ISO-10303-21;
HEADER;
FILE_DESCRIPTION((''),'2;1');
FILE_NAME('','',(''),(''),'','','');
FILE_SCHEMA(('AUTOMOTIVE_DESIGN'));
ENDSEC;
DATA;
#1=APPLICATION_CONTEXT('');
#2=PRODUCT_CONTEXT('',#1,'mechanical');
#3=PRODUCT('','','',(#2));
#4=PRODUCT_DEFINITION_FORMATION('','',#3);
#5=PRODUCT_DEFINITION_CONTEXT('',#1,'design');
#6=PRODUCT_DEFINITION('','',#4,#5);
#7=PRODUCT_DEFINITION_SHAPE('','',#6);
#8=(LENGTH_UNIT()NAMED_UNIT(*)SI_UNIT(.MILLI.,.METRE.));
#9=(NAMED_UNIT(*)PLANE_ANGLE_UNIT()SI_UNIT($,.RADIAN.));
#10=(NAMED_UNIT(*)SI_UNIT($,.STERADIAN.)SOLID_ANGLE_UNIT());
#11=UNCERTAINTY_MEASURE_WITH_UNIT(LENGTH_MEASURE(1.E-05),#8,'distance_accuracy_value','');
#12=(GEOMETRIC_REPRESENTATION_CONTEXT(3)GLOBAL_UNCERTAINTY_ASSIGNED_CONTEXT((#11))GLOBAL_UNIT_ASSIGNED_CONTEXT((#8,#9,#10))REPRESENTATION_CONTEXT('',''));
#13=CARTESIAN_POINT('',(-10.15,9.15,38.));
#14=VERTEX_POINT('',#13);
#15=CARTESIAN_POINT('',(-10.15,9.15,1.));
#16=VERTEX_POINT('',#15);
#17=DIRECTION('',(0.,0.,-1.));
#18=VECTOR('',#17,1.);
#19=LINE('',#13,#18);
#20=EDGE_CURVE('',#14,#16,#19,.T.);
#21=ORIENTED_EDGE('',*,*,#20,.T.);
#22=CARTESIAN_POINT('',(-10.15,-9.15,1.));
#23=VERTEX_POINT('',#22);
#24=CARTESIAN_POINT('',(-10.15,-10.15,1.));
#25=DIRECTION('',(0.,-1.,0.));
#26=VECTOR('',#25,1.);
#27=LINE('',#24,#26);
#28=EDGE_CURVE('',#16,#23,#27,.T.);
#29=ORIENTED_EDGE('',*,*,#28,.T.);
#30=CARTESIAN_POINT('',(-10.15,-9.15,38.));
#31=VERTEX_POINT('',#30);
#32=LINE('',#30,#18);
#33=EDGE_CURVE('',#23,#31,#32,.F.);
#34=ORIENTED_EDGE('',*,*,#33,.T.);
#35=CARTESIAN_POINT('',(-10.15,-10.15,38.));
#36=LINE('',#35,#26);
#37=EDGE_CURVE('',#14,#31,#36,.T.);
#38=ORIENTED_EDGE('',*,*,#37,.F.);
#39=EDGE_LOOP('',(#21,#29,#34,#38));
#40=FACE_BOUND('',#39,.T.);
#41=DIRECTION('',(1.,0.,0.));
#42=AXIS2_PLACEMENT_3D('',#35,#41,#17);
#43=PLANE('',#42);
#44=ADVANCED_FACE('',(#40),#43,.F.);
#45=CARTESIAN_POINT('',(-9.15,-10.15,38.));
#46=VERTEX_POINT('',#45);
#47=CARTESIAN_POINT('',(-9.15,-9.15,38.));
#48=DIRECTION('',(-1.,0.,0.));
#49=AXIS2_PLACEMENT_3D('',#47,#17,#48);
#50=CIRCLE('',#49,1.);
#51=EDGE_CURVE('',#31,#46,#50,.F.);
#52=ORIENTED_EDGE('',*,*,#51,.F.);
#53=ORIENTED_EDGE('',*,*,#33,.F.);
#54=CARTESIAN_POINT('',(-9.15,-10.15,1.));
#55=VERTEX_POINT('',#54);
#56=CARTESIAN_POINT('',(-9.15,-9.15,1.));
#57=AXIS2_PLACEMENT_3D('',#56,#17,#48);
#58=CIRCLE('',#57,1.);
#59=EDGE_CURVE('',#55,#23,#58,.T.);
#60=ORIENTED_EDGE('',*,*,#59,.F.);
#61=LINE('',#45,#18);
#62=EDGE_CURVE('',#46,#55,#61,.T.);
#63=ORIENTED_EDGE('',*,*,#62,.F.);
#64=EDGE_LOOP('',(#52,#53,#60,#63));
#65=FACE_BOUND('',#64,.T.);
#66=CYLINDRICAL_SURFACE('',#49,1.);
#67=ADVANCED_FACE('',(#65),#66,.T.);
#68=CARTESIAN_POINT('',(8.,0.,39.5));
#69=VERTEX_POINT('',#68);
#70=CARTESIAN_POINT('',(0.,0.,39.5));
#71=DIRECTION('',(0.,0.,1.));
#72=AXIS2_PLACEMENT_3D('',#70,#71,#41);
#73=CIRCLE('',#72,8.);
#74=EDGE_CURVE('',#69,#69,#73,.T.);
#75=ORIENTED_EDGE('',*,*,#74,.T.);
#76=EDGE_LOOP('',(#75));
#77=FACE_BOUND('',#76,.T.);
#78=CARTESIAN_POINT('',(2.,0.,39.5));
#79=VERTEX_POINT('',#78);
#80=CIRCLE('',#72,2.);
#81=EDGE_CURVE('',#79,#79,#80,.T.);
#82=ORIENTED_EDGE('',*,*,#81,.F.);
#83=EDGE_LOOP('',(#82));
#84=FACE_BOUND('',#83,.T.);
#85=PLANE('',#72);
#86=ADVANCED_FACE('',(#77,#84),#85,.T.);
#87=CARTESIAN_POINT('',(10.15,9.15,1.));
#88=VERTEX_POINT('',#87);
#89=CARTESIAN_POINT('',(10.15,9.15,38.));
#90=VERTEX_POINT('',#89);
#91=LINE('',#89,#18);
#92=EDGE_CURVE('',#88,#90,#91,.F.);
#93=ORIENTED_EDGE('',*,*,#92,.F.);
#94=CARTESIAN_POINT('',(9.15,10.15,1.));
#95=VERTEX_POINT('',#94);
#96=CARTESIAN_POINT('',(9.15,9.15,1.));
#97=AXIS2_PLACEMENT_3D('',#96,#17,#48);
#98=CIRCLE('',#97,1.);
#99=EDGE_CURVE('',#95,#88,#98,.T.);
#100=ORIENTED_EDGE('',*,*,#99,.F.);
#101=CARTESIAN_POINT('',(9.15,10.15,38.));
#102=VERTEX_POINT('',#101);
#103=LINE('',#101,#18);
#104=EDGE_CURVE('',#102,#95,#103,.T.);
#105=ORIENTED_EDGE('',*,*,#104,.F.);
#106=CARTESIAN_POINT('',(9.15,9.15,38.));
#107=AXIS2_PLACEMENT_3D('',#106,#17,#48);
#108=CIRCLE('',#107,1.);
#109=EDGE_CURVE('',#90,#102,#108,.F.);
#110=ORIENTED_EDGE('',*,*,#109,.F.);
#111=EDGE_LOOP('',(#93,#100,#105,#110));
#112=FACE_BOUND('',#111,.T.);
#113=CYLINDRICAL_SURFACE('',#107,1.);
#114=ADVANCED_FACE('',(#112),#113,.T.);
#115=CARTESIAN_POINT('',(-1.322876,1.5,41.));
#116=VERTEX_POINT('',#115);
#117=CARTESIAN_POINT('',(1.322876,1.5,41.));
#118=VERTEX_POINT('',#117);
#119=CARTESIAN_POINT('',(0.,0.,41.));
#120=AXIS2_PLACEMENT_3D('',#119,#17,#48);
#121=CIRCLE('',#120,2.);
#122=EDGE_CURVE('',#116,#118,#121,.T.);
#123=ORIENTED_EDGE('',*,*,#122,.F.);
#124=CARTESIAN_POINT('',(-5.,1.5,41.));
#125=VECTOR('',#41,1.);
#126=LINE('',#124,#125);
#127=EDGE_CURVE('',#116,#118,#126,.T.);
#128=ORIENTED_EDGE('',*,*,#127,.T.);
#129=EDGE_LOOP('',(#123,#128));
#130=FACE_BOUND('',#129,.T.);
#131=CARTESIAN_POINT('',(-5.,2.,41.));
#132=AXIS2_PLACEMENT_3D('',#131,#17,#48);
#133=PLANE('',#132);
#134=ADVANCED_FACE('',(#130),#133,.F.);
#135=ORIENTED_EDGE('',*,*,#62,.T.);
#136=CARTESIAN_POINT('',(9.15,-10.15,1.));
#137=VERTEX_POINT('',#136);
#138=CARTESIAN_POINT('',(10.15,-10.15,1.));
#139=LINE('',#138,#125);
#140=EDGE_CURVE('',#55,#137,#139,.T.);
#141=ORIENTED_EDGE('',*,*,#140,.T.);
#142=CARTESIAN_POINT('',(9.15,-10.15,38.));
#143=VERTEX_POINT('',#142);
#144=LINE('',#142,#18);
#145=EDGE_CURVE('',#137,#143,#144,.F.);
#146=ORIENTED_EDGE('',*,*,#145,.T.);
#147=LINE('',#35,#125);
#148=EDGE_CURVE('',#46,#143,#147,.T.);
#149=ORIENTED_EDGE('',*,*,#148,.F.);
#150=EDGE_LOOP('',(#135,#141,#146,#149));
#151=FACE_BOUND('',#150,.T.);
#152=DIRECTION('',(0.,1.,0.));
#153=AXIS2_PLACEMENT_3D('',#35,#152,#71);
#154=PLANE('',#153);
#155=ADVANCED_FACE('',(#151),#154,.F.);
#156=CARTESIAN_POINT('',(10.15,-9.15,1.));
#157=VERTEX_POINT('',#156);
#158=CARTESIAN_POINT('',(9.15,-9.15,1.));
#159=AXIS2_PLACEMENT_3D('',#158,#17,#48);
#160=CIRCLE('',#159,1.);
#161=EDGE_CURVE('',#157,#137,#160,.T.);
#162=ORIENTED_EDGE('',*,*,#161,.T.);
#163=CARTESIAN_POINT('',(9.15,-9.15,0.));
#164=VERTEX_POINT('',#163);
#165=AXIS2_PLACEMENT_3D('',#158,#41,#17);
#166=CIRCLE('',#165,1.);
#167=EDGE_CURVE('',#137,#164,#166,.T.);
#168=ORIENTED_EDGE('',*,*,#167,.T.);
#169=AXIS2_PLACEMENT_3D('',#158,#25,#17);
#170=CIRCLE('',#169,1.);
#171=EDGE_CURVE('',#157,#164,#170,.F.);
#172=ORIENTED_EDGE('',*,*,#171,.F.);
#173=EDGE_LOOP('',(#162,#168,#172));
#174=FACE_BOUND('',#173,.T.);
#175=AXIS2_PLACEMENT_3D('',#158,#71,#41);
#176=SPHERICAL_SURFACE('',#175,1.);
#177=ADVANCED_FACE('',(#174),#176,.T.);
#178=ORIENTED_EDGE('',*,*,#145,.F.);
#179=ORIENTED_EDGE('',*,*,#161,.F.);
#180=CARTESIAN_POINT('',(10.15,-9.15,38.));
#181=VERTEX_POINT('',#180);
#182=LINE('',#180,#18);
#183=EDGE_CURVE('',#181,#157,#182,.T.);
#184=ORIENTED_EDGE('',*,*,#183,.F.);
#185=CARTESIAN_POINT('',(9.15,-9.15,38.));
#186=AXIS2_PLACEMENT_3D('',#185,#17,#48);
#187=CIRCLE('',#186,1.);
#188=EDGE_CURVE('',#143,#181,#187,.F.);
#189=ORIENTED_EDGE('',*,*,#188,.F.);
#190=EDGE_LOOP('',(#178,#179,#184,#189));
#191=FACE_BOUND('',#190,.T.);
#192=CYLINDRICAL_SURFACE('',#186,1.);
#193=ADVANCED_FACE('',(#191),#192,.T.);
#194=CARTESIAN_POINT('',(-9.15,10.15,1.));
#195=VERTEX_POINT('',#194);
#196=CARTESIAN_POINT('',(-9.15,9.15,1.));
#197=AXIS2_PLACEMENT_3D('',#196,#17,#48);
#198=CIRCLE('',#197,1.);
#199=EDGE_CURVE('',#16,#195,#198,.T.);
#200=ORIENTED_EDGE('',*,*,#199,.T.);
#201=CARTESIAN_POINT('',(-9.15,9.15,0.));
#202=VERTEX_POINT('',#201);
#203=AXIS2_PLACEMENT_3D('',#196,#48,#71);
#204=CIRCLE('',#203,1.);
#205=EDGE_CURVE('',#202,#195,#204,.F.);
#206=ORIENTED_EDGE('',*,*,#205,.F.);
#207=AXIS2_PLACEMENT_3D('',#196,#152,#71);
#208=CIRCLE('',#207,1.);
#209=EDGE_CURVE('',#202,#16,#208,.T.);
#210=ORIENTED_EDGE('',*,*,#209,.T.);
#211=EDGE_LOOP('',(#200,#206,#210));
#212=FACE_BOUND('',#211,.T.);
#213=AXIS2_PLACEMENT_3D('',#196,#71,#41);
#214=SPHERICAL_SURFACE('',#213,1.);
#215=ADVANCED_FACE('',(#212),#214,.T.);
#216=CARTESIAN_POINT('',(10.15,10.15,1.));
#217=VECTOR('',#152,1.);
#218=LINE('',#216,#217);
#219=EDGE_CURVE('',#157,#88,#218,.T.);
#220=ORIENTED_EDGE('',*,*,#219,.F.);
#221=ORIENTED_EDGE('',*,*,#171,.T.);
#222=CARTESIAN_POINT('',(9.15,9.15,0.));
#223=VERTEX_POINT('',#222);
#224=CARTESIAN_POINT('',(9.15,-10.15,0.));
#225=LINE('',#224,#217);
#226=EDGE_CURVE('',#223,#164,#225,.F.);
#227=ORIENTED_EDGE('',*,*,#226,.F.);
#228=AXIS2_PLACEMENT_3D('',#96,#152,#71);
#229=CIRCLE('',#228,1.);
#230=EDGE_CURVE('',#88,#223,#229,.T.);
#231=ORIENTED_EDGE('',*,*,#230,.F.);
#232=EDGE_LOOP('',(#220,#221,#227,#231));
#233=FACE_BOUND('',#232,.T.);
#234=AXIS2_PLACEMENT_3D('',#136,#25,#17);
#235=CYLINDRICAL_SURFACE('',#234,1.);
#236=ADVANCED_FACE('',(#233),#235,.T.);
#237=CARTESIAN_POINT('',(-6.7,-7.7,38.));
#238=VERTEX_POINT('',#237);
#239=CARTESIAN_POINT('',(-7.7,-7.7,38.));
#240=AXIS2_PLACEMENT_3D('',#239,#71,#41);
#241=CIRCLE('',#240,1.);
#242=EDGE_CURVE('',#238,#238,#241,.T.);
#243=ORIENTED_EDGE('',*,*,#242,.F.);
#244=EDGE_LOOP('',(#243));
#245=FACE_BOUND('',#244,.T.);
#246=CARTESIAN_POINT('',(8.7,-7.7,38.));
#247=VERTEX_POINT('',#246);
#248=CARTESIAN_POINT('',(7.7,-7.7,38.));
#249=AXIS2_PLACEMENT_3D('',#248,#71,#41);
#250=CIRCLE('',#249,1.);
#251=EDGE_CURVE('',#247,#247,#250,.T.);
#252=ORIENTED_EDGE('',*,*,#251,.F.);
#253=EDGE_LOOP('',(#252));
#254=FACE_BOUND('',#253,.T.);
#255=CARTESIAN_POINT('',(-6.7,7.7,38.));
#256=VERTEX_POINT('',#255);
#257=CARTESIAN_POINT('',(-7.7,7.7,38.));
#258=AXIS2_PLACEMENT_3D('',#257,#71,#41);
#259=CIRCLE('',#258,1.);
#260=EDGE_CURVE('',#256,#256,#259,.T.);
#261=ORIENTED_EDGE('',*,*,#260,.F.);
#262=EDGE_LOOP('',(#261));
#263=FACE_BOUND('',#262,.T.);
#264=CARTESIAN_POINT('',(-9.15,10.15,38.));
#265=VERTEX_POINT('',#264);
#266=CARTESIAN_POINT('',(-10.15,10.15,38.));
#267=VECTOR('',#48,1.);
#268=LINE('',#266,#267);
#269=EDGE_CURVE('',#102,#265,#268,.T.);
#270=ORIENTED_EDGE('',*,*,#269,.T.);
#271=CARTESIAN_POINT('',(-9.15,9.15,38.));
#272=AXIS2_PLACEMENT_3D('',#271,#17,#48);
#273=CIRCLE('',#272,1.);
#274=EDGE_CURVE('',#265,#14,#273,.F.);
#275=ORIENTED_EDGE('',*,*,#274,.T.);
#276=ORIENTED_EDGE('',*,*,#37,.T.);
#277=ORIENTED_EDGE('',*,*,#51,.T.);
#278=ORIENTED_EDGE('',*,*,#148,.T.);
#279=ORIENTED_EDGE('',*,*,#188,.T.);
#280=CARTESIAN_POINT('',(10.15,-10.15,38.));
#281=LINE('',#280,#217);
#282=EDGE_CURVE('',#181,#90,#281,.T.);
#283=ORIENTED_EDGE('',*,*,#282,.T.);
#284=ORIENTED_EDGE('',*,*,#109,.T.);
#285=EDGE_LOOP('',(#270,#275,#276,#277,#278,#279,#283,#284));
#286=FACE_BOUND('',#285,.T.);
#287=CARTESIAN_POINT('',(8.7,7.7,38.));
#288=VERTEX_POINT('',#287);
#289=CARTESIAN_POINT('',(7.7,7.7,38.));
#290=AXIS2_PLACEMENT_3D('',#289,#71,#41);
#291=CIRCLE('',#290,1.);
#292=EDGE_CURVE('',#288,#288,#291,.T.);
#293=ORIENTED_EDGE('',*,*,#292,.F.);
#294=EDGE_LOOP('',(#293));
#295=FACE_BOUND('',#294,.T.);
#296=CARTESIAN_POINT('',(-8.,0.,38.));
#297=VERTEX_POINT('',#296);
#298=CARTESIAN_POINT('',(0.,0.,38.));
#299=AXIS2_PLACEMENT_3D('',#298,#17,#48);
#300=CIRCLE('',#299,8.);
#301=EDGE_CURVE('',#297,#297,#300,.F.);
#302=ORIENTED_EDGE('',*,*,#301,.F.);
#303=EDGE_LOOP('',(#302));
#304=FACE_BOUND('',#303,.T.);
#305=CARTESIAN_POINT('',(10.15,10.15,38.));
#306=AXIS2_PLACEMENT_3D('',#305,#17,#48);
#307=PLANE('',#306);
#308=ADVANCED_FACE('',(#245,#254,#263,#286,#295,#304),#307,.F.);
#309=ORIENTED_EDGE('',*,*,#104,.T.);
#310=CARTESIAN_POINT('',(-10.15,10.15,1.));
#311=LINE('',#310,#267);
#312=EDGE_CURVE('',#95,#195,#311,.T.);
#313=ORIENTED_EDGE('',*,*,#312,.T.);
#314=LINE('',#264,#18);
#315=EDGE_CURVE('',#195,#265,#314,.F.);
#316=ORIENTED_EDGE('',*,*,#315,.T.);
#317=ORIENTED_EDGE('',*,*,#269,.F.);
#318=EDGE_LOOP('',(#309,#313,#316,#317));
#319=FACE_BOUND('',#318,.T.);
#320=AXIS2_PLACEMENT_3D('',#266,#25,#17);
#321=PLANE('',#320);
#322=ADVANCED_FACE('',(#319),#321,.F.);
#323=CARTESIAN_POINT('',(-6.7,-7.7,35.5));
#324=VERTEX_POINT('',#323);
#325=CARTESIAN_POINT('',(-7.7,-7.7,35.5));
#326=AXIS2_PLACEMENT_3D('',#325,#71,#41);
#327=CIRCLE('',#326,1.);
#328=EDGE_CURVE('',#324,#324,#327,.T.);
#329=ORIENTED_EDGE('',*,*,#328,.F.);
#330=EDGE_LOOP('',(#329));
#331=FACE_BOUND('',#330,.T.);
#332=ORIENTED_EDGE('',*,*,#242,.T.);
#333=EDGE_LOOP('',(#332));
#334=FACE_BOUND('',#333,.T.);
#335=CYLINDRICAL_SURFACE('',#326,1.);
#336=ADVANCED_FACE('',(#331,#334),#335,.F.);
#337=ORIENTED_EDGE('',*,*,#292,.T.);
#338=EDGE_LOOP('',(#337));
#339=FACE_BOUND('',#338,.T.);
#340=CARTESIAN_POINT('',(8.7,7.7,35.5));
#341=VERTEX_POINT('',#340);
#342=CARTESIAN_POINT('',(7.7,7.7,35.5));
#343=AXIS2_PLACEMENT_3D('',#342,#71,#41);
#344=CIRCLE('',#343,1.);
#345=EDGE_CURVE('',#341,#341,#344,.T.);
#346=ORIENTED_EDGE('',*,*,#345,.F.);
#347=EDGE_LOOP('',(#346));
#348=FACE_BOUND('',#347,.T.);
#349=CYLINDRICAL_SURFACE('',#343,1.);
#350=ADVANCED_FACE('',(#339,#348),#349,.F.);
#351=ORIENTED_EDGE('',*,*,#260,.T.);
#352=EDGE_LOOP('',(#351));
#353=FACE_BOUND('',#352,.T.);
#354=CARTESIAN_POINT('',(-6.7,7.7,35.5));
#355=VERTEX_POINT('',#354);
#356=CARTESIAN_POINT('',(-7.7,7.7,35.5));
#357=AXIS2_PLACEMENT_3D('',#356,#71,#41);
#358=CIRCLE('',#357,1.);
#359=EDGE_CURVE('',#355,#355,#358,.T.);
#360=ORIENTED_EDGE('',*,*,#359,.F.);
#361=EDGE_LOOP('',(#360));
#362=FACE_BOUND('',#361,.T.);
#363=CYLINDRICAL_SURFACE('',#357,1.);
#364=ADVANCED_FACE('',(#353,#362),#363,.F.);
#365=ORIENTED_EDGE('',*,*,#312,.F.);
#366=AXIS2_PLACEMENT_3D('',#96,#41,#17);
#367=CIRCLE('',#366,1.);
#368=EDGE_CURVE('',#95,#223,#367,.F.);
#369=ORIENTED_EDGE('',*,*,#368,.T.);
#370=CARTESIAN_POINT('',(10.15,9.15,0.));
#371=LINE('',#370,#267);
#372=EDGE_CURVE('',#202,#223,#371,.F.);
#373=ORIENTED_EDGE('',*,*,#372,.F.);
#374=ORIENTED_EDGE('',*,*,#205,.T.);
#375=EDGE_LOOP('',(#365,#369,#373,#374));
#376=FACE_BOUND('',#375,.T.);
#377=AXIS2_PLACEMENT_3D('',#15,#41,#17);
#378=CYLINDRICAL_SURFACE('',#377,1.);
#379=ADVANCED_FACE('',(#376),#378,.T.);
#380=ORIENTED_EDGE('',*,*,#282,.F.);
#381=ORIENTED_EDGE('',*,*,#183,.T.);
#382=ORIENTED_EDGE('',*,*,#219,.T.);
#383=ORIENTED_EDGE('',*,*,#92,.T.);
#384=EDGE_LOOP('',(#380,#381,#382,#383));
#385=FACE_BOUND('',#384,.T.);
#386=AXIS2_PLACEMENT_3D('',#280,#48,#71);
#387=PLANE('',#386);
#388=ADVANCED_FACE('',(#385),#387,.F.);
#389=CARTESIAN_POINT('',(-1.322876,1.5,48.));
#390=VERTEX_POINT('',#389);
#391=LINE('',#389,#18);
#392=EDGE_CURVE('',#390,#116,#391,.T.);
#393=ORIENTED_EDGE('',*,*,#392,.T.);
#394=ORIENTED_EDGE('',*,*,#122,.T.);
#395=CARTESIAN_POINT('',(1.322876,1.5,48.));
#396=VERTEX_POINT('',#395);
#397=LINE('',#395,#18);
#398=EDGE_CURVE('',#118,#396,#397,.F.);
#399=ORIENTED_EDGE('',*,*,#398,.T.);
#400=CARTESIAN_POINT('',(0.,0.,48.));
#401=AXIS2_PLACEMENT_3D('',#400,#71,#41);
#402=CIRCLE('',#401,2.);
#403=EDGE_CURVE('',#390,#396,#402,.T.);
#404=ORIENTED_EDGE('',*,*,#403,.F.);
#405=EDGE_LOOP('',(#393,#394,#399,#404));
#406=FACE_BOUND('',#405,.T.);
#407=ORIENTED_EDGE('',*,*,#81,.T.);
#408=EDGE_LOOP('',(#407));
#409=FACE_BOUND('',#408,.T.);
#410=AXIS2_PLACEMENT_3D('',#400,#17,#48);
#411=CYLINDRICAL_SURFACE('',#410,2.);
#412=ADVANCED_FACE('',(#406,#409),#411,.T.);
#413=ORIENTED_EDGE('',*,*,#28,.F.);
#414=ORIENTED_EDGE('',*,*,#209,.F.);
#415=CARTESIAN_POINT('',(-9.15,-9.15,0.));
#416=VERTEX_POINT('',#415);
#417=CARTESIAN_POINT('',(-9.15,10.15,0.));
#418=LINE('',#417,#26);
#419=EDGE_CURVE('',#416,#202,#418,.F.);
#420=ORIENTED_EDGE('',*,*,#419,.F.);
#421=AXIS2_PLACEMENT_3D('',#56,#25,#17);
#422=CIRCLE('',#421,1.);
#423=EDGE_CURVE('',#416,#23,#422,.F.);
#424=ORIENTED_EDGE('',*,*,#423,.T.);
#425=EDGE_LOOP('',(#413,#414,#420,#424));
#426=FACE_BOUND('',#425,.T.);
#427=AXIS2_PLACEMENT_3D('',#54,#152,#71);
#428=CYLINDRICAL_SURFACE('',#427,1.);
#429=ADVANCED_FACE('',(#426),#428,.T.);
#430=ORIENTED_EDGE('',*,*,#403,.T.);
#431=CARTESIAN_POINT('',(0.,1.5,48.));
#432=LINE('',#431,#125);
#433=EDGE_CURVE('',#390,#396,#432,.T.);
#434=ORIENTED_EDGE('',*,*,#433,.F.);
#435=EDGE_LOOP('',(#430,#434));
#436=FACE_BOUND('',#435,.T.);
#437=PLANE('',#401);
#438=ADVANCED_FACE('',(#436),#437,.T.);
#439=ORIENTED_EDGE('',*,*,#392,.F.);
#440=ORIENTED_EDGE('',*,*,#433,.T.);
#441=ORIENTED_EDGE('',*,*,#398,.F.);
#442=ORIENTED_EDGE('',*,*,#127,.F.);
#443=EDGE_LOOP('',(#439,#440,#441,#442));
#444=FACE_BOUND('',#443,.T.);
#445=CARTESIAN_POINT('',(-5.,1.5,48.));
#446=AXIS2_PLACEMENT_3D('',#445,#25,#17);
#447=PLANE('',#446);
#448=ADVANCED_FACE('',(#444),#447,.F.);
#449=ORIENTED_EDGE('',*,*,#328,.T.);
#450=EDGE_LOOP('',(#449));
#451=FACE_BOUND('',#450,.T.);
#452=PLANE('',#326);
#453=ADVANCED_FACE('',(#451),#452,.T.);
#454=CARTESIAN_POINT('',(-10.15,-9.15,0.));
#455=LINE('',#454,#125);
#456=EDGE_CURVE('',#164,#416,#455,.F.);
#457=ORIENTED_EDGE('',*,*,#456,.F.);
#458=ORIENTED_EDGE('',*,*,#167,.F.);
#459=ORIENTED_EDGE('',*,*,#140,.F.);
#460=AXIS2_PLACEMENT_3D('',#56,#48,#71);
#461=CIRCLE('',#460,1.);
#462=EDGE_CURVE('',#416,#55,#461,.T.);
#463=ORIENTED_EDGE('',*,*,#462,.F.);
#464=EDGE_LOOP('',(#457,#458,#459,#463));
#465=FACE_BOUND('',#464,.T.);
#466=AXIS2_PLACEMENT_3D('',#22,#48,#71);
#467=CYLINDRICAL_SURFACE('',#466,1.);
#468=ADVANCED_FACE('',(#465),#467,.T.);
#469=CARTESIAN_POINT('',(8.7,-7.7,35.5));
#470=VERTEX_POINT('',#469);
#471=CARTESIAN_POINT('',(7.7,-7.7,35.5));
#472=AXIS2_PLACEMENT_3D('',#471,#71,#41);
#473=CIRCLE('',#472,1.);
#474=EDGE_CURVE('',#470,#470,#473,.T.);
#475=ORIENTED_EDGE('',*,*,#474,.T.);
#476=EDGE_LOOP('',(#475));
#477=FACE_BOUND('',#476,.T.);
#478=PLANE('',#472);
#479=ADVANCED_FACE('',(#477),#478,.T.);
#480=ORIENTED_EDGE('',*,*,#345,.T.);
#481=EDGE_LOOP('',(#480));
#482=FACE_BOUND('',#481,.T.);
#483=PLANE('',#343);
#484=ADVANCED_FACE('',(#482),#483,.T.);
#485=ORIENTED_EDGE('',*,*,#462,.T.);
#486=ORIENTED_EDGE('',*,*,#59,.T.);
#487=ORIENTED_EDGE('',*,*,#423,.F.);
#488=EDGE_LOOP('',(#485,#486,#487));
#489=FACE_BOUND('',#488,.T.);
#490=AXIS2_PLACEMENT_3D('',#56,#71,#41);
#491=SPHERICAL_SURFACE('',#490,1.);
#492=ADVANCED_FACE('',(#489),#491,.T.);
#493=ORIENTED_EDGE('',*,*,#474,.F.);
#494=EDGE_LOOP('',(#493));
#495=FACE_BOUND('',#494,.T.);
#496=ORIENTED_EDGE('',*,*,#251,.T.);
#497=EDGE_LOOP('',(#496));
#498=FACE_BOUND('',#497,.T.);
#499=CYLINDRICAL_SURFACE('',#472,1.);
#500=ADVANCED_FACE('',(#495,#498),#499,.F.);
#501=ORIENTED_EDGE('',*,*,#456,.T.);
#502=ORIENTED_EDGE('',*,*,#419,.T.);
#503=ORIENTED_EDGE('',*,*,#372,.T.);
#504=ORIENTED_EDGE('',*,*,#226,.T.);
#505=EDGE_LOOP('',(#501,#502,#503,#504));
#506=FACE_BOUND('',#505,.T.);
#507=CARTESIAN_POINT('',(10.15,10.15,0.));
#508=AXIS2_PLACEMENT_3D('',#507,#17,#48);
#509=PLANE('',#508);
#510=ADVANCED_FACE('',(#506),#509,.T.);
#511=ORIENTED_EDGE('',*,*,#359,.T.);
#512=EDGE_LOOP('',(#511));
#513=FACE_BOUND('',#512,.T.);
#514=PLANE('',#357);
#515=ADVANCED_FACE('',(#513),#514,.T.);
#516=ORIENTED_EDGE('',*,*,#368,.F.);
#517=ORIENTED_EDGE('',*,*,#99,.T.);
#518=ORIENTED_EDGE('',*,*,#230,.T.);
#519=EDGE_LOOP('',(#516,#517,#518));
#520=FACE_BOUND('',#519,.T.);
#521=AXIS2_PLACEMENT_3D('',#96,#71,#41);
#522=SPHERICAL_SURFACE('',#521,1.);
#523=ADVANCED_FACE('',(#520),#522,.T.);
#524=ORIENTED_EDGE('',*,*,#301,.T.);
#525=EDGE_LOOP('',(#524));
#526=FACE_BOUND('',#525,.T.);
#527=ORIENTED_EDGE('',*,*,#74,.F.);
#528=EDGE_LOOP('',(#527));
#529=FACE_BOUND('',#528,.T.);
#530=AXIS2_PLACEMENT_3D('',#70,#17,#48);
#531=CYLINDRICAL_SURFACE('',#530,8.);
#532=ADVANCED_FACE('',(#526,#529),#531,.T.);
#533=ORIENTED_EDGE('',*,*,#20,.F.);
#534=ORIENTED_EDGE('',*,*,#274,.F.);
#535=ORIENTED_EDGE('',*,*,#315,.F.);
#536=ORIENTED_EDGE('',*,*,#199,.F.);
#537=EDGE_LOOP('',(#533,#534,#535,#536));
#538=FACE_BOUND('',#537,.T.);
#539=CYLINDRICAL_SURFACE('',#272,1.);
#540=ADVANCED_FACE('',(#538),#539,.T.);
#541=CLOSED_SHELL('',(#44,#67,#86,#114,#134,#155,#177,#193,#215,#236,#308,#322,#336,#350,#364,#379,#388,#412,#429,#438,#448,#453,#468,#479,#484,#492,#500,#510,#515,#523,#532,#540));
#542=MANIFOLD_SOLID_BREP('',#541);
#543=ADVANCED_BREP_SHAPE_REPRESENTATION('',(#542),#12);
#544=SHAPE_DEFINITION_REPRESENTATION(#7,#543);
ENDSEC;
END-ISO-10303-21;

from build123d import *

# Parameters (mm, degrees)
SKETCH1_W           = 20.3
SKETCH1_H           = 20.3
BOSS_EXTRUDE1_DEPTH = 38
SKETCH2_R           = 8
BOSS_EXTRUDE2_DEPTH = 1.5
SKETCH3_R           = 2
BOSS_EXTRUDE3_DEPTH = 8.5
SKETCH4_W           = 7
SKETCH4_H           = 0.5
CUT_EXTRUDE1_DEPTH  = 5
SKETCH5_R           = 1
CUT_EXTRUDE2_DEPTH  = 2.5
FILLET1_R           = 1


with BuildPart() as part:
    # Sketch1 → Boss-Extrude1 (new body)
    with BuildSketch(Plane.XY):
        Rectangle(SKETCH1_W, SKETCH1_H)
    extrude(amount=BOSS_EXTRUDE1_DEPTH)

    # Sketch2 → Boss-Extrude2 (add)
    with BuildSketch(Plane.XY.offset(38)):
        with Locations(Location((0, 0, 0), (0, 0, 180))):
            Circle(SKETCH2_R)
    extrude(amount=BOSS_EXTRUDE2_DEPTH)

    # Sketch3 → Boss-Extrude3 (add)
    with BuildSketch(Plane.XY.offset(39.5)):
        Circle(SKETCH3_R)
    extrude(amount=BOSS_EXTRUDE3_DEPTH)

    # Sketch4 → Cut-Extrude1 (cut, symmetric)
    with BuildSketch(Plane(origin=(0, 0, 0), x_dir=(0, 0, -1), z_dir=(1, 0, 0))):
        with Locations((-44.5, 1.75)):
            Rectangle(SKETCH4_W, SKETCH4_H)
    extrude(amount=CUT_EXTRUDE1_DEPTH, both=True, mode=Mode.SUBTRACT)

    # Sketch5 → Cut-Extrude2 (cut)
    with BuildSketch(Plane.XY.offset(38)):
        with Locations((-7.7, 7.7)):
            Circle(SKETCH5_R)
        with Locations((7.7, 7.7)):
            Circle(SKETCH5_R)
        with Locations((7.7, -7.7)):
            Circle(SKETCH5_R)
        with Locations((-7.7, -7.7)):
            Circle(SKETCH5_R)
    extrude(amount=-CUT_EXTRUDE2_DEPTH, mode=Mode.SUBTRACT)

    # Fillet1
    fillet1_edges = [part.edges().sort_by_distance(p)[0] for p in [
        (0, -10.15, 0),
        (-10.15, 0, 0),
        (0, 10.15, 0),
        (10.15, 0, 0),
        (10.15, -10.15, 19),
        (-10.15, -10.15, 19),
        (-10.15, 10.15, 19),
        (10.15, 10.15, 19),
    ]]
    fillet(fillet1_edges, radius=FILLET1_R)


solid = part.part
